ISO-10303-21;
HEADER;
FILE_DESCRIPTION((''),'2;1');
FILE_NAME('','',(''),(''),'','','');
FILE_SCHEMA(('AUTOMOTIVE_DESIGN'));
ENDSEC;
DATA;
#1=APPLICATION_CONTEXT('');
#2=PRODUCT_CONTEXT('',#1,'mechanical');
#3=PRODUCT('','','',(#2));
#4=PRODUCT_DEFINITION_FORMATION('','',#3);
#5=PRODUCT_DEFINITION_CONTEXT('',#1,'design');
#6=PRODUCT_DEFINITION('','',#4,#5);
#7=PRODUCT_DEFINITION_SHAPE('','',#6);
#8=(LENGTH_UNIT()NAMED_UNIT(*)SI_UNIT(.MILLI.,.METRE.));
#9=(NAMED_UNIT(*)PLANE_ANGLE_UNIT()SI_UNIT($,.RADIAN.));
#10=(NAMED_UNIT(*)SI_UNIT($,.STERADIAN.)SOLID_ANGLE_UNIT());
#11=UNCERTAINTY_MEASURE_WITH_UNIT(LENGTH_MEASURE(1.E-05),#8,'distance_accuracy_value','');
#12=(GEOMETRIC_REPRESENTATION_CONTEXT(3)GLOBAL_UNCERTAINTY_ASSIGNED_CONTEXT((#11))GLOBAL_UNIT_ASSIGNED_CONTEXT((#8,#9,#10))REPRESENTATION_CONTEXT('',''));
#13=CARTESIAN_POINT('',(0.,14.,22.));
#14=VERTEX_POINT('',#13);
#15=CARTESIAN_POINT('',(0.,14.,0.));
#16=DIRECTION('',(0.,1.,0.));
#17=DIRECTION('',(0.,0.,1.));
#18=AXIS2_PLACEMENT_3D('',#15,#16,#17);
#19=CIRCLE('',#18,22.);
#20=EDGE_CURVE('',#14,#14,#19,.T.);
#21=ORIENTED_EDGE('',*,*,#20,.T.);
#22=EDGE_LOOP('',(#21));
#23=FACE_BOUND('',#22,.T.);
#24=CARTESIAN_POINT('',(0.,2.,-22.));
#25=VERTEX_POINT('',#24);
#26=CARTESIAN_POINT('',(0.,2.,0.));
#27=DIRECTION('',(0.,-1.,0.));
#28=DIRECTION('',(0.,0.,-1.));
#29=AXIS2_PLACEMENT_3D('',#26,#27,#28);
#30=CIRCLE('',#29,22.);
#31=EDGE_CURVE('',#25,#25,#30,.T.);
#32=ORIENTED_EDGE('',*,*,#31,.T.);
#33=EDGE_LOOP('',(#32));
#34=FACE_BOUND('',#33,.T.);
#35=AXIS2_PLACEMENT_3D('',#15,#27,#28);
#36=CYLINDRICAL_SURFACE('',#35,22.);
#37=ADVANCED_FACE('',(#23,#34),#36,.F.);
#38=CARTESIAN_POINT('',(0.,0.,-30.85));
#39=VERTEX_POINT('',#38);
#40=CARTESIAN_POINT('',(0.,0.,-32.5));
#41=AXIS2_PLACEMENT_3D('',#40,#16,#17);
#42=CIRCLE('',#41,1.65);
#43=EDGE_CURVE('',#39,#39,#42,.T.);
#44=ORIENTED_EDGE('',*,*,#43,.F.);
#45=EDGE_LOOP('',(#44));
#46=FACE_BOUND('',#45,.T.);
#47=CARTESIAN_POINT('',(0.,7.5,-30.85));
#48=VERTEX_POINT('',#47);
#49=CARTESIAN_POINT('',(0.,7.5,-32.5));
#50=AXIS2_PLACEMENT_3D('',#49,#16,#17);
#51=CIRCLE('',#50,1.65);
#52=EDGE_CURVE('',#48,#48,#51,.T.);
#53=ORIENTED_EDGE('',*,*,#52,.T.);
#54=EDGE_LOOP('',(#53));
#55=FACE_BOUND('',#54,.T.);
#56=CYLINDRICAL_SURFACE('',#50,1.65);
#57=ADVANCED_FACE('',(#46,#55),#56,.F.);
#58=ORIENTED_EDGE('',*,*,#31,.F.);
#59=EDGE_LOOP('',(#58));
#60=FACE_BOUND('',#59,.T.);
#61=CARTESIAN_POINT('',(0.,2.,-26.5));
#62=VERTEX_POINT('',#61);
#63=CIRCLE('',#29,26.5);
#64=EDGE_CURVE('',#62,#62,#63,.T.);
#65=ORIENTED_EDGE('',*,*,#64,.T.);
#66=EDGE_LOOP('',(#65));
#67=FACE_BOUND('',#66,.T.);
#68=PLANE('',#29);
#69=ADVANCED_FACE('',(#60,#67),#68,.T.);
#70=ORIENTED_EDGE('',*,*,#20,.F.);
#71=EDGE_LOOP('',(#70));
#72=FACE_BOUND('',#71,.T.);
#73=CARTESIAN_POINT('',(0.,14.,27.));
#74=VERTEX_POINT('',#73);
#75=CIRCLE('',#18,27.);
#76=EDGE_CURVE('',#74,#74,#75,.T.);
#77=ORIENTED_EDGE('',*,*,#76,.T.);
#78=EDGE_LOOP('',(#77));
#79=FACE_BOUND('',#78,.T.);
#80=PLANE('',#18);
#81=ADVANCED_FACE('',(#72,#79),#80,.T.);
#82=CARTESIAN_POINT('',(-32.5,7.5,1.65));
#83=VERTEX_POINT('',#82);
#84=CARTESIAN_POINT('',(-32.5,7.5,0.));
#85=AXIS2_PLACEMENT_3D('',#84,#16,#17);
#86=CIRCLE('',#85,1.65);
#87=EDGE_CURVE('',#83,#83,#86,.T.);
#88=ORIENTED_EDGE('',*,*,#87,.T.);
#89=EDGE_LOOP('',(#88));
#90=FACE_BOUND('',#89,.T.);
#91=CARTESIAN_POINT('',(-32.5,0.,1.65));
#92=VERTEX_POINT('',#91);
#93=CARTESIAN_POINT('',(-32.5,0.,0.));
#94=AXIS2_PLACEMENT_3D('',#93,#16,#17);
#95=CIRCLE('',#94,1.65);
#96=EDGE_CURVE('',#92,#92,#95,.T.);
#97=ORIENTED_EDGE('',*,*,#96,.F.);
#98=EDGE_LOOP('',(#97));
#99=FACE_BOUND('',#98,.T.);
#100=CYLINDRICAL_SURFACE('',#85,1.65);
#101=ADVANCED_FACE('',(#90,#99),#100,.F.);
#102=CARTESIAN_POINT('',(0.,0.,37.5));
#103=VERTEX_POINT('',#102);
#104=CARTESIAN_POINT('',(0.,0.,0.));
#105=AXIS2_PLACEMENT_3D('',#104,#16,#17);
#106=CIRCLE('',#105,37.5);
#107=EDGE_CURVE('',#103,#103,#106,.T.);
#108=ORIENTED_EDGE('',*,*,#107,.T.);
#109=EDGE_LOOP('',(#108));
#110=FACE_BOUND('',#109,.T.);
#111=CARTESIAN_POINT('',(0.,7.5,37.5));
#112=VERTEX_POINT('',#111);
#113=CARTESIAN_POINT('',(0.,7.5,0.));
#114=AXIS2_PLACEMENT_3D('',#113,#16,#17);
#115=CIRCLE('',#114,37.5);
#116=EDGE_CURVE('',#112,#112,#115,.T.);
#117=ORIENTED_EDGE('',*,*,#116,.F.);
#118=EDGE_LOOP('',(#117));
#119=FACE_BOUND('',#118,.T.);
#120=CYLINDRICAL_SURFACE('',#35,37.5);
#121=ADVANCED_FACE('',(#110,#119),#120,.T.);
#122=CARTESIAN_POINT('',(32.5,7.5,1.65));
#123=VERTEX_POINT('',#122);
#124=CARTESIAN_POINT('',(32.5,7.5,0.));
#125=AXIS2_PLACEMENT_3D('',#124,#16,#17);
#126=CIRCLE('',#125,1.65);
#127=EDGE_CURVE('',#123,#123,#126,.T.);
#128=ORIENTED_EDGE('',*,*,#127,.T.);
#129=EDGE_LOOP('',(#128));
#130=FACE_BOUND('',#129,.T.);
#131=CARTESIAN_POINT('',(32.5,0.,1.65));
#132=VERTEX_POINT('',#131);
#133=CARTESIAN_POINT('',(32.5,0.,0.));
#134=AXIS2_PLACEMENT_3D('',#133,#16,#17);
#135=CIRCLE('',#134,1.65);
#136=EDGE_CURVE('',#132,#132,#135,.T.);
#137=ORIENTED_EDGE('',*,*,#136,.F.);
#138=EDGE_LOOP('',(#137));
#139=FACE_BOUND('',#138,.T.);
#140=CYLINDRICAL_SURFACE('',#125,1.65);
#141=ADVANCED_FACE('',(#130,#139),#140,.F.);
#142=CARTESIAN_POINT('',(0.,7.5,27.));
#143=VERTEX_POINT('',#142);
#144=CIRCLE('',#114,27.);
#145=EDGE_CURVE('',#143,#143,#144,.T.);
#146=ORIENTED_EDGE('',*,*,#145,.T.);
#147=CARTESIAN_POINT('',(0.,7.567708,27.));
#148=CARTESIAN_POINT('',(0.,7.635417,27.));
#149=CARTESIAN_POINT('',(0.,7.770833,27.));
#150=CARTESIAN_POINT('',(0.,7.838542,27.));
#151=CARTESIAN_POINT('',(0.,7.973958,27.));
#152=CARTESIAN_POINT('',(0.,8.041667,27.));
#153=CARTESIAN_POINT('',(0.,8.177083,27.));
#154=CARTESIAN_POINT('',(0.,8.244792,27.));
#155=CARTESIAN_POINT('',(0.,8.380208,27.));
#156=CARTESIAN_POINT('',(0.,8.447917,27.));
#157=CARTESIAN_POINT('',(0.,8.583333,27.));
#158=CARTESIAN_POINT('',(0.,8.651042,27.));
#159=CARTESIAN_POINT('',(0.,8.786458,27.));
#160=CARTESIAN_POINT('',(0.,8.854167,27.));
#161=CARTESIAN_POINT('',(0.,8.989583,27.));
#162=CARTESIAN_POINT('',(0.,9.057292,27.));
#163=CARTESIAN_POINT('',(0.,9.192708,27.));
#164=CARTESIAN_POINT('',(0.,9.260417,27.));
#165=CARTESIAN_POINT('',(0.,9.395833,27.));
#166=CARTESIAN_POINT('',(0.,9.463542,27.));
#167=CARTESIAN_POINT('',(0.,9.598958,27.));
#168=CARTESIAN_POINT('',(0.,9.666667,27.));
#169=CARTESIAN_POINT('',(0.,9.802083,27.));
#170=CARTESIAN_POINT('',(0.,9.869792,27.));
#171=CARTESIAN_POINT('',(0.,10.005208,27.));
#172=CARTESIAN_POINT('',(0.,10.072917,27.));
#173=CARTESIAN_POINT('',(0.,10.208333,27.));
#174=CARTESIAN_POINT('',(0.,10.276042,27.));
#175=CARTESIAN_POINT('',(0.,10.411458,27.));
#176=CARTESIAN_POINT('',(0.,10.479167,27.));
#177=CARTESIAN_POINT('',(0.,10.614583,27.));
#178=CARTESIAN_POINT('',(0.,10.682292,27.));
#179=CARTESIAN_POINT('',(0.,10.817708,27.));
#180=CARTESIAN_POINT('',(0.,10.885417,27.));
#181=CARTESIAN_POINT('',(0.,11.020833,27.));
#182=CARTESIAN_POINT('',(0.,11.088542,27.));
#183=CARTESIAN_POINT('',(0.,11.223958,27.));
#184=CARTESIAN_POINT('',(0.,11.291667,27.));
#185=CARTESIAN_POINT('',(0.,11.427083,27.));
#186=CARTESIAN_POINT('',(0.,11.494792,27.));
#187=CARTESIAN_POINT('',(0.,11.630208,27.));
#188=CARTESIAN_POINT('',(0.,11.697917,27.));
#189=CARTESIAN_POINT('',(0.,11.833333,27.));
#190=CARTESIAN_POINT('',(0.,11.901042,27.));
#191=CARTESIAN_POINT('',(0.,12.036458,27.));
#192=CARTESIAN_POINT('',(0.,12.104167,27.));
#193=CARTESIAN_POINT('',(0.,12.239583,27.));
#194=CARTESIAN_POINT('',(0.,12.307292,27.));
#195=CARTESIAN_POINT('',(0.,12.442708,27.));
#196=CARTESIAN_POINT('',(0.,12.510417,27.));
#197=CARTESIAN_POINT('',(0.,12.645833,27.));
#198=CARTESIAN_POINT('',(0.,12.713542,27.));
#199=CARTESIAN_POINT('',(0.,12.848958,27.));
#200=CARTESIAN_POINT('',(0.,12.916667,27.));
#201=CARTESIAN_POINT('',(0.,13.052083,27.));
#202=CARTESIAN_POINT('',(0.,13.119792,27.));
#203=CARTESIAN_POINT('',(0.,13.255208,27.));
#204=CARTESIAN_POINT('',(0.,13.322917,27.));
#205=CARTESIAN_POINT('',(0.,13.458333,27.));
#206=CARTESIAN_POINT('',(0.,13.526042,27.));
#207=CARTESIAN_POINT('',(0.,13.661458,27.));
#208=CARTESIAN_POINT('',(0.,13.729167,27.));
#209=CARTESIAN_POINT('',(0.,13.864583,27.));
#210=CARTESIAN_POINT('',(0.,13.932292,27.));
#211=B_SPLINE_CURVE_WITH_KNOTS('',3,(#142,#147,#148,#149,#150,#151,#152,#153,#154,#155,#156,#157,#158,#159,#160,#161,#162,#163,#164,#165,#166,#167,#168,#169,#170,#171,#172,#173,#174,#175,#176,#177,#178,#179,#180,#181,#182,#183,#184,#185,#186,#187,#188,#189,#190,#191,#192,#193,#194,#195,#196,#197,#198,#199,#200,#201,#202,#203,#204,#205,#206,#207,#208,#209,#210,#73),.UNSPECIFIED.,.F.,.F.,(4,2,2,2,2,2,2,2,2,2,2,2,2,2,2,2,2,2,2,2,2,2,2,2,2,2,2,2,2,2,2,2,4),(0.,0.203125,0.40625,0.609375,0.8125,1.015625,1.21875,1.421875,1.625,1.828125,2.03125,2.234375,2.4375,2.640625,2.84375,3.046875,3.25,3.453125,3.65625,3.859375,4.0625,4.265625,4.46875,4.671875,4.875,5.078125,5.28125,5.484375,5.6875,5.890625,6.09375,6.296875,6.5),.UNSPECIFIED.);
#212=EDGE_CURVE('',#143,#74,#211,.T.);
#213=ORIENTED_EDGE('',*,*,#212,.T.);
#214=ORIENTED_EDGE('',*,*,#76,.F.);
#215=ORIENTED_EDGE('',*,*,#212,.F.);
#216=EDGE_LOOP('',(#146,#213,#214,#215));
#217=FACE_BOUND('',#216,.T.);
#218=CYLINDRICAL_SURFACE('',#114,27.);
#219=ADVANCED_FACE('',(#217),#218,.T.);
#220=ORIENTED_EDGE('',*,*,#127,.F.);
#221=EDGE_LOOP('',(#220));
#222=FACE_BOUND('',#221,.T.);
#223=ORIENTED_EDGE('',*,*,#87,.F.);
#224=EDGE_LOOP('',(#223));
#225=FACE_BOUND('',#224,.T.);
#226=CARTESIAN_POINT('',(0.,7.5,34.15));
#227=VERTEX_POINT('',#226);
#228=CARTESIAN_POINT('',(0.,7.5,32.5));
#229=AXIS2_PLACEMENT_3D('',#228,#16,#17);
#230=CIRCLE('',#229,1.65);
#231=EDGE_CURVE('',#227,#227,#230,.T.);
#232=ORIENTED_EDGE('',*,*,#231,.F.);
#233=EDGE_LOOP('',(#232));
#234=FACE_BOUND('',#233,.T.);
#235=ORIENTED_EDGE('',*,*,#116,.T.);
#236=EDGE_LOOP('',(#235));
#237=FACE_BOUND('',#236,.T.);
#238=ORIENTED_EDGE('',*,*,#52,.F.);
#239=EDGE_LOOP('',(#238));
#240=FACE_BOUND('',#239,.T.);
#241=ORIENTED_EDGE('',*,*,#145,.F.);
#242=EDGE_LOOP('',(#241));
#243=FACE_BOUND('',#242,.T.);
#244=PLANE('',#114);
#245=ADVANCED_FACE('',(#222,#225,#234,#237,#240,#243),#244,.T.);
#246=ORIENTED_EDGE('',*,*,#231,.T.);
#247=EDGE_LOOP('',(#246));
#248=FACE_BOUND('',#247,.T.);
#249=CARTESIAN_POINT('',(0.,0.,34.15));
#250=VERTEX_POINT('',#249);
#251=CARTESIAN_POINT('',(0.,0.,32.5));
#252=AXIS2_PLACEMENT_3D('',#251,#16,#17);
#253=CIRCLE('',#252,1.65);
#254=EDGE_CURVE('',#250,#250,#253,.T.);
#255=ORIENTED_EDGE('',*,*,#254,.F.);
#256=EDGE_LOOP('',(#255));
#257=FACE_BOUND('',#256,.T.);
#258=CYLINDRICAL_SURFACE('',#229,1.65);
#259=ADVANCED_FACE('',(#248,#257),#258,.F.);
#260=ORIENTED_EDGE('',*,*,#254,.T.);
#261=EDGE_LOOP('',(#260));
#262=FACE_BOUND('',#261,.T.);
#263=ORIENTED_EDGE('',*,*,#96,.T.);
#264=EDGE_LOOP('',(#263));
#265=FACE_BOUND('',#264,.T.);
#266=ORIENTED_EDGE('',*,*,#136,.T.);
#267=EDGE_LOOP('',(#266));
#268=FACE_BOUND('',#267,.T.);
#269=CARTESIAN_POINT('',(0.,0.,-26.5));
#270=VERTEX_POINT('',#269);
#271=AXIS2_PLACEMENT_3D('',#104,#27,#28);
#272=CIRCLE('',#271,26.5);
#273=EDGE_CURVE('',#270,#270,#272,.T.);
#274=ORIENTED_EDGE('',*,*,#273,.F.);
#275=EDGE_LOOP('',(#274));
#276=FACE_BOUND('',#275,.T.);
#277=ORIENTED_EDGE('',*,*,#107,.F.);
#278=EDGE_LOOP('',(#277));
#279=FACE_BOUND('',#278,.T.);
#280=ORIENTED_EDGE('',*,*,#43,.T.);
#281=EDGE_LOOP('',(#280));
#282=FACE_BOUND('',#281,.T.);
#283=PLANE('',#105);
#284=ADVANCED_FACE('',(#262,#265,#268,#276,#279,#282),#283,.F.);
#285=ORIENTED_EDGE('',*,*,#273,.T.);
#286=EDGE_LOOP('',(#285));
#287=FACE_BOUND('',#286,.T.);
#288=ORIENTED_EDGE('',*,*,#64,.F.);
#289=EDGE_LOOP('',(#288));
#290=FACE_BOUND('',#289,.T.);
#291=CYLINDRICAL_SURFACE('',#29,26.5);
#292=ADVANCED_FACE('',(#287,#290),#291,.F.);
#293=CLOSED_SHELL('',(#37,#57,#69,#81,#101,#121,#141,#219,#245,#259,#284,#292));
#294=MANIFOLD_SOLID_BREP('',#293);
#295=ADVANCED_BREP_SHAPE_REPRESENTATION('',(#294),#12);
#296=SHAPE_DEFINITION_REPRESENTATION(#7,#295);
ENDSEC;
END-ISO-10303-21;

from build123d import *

# Parameters (mm, degrees)
SKIZZE1_R                       = 37.5
SKIZZE1_R_2                     = 22
AUFSATZ_LINEAR_AUSTRAGEN1_DEPTH = 14
SCHNITT_LINEAR_START            = -6.5
SKIZZE2_R                       = 37.5
SKIZZE2_R_2                     = 27
SCHNITT_LINEAR_AUSTRAGEN1_DEPTH = 6.5
M4X0_7_GEWINDEBOHRUNG1_D        = 3.3
SKIZZE5_R                       = 26.5
SCHNITT_LINEAR_AUSTRAGEN2_DEPTH = 2


with BuildPart() as part:
    # Skizze1 → Aufsatz-Linear austragen1 (new body)
    with BuildSketch(Plane(origin=(0, 0, 0), x_dir=(1, 0, 0), z_dir=(0, 1, 0))):
        with Locations(Location((0, 0, 0), (0, 0, 270))):
            Circle(SKIZZE1_R)
        with Locations(Location((0, 0, 0), (0, 0, 270))):
            Circle(SKIZZE1_R_2, mode=Mode.SUBTRACT)
    extrude(amount=AUFSATZ_LINEAR_AUSTRAGEN1_DEPTH)

    # Skizze2 → Schnitt-Linear austragen1 (cut)
    with BuildSketch(Plane(origin=(0, 14, 0), x_dir=(1, 0, 0), z_dir=(0, 1, 0)).offset(SCHNITT_LINEAR_START)):
        with Locations(Location((0, 0, 0), (0, 0, 270))):
            Circle(SKIZZE2_R)
        with Locations(Location((0, 0, 0), (0, 0, 270))):
            Circle(SKIZZE2_R_2, mode=Mode.SUBTRACT)
    extrude(amount=SCHNITT_LINEAR_AUSTRAGEN1_DEPTH, mode=Mode.SUBTRACT)

    # M4x0.7 Gewindebohrung1 (through all)
    with Locations(Plane(origin=(0, 7.5, 0), x_dir=(1, 0, 0), z_dir=(0, 1, 0))):
        with Locations((-32.5, 0), (0, 32.5), (0, -32.5), (32.5, 0)):
            Hole(M4X0_7_GEWINDEBOHRUNG1_D / 2)

    # Skizze5 → Schnitt-Linear austragen2 (cut)
    with BuildSketch(Plane.XZ):
        with Locations(Location((0, 0, 0), (0, 0, 270))):
            Circle(SKIZZE5_R)
    extrude(amount=-SCHNITT_LINEAR_AUSTRAGEN2_DEPTH, mode=Mode.SUBTRACT)


solid = part.part
